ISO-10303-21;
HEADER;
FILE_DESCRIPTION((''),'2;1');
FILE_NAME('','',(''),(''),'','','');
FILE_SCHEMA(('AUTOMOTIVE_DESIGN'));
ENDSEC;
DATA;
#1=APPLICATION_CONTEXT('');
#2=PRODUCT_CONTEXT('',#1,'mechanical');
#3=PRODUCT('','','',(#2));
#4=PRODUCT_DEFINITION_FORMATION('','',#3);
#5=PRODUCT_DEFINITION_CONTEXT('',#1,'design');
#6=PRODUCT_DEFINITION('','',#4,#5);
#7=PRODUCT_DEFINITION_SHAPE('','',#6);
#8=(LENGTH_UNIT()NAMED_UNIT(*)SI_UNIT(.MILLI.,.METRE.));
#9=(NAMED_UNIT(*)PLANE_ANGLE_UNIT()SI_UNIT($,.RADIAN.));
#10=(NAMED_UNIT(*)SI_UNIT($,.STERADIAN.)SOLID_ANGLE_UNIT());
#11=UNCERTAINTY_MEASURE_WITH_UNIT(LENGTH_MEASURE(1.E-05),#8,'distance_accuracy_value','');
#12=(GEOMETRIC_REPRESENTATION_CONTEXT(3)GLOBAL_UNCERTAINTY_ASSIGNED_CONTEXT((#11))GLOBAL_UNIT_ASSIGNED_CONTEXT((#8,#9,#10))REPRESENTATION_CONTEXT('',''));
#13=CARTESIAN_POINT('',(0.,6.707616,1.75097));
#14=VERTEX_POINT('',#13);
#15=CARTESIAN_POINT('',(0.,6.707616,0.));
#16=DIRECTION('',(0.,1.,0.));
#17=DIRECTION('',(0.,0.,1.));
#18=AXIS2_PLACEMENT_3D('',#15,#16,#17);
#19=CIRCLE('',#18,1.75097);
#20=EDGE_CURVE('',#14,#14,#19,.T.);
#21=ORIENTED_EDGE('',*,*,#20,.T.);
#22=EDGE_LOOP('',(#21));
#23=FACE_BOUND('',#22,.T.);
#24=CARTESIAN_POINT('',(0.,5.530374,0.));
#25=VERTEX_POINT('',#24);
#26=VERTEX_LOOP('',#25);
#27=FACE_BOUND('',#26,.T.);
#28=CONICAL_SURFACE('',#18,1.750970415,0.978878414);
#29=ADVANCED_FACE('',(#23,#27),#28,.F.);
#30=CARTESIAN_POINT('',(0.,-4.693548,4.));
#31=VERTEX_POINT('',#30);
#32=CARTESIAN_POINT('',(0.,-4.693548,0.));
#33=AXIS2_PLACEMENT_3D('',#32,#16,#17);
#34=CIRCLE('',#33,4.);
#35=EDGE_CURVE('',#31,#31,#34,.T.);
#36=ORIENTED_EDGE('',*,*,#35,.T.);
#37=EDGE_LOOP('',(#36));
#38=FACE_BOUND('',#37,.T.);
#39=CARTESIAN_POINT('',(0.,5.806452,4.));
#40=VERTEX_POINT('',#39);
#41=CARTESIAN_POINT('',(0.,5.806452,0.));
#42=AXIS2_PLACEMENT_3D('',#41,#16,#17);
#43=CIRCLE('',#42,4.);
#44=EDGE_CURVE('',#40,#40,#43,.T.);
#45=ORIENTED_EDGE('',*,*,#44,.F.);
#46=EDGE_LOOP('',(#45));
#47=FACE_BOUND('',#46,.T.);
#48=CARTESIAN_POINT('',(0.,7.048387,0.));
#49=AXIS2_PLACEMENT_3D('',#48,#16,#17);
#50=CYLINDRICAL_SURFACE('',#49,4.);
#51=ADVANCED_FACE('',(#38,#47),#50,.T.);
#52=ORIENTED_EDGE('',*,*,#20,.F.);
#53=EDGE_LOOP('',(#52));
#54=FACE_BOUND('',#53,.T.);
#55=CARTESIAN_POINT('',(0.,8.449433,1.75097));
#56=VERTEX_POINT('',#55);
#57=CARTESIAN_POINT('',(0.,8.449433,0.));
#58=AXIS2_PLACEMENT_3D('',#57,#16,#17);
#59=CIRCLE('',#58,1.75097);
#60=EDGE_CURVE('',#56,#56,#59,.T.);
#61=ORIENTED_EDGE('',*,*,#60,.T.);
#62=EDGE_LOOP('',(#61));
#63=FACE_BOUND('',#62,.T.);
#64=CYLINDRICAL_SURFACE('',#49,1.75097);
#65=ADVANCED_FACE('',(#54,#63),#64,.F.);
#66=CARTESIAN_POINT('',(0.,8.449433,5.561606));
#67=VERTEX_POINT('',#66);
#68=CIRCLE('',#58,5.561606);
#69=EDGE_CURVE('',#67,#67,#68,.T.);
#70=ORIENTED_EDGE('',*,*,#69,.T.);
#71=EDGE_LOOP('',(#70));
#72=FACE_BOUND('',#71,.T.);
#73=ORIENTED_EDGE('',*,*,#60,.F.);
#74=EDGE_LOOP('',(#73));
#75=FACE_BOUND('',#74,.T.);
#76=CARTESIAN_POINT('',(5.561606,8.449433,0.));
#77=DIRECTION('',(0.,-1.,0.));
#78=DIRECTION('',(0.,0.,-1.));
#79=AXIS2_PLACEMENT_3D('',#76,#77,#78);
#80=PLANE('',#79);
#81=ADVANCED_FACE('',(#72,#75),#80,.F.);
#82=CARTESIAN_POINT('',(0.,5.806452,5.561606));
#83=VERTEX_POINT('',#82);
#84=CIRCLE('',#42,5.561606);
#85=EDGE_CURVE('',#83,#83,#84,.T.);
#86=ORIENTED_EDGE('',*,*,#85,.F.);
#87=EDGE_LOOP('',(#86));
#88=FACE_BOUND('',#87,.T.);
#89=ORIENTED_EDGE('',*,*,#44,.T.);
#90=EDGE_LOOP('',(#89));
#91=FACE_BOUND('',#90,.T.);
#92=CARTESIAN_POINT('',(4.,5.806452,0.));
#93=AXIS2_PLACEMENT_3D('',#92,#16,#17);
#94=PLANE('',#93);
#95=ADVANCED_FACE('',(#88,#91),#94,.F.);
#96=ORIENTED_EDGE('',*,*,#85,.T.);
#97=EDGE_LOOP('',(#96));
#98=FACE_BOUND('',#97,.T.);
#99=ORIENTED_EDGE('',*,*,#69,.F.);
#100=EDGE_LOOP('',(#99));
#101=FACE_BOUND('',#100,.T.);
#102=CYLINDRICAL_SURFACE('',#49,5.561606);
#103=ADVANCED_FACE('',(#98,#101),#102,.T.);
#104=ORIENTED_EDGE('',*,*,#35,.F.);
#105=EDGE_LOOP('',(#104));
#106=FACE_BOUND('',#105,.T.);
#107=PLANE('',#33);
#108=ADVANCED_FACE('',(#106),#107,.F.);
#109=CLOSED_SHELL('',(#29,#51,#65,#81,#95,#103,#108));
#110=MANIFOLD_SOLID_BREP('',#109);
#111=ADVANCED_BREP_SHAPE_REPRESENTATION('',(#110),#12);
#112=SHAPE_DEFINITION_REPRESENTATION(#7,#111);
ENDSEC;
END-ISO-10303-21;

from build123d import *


with BuildPart() as part:
    # Sketch2 → Revolve1 (revolve)
    with BuildSketch(Plane.XY):
        Polygon((0, -4.693548387), (4, -4.693548387), (4, 5.806451613), (5.561605887, 5.806451613), (5.561605887, 8.449432794), (1.750970415, 8.449432794), (1.750970415, 6.707616445), (0, 5.530374348), align=None)
    revolve(axis=Axis((0, 7.048387097, 0), (0, -1, 0)))


solid = part.part
